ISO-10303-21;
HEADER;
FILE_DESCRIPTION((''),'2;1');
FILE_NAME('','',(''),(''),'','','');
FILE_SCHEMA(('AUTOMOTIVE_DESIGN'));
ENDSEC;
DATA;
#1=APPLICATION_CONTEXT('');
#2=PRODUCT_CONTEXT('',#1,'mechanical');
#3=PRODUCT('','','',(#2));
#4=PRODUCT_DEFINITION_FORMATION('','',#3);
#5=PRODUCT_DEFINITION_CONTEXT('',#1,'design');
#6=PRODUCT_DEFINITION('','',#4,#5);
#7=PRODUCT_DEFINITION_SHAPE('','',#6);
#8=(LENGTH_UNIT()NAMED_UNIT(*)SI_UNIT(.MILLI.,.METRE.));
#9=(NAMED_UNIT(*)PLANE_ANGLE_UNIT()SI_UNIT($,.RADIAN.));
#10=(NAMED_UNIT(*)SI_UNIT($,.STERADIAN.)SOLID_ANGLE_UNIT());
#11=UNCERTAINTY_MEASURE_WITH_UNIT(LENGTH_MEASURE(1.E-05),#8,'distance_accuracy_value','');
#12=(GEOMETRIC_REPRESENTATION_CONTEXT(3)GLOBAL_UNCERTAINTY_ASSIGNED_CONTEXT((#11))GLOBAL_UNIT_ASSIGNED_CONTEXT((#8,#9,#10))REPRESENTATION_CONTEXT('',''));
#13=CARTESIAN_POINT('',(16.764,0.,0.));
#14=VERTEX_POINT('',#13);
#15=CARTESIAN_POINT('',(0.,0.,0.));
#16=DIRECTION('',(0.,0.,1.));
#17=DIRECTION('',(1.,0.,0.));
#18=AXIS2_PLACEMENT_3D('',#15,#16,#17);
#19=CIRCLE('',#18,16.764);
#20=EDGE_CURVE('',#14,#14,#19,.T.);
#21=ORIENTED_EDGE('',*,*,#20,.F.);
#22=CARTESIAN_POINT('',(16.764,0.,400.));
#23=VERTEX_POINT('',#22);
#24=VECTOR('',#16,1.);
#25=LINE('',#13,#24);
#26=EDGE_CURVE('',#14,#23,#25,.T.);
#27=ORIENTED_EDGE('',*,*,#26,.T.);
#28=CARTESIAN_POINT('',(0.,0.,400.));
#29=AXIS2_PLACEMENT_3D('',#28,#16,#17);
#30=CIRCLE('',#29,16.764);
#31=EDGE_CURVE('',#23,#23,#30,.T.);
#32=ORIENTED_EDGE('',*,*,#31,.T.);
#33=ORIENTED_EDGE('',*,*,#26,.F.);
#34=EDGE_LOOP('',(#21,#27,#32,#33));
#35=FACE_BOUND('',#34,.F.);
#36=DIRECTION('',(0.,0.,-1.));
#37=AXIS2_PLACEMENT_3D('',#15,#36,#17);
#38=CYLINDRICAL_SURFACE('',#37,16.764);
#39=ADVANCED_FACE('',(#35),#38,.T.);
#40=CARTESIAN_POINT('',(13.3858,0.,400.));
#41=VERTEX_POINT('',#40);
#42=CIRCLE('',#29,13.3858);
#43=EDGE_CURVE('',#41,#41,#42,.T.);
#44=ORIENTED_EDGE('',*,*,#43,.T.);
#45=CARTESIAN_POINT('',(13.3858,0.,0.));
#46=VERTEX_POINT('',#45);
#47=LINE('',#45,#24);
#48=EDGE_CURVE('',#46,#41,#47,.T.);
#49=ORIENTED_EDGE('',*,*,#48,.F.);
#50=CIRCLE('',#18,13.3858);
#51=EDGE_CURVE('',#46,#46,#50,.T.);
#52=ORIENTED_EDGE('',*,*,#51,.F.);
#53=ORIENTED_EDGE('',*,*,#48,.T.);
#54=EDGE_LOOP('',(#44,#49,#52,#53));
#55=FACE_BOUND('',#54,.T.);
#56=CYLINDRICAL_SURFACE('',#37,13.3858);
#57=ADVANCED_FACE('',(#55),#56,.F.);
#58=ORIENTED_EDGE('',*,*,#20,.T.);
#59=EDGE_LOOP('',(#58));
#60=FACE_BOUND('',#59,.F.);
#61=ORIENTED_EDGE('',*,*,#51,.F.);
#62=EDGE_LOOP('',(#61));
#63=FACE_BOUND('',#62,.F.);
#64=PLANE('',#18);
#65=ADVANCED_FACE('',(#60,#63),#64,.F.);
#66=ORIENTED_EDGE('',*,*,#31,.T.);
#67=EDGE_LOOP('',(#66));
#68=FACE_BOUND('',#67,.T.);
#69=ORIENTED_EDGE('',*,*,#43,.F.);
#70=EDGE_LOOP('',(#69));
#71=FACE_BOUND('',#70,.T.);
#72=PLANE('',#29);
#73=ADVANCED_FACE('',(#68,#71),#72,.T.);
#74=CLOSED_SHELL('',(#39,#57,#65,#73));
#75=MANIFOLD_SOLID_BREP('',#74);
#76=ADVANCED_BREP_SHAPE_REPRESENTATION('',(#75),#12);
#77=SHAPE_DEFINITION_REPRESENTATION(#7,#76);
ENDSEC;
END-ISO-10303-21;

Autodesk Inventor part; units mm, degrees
ref_plane "YZ Plane" through (0, 0, 0) normal (1, 0, 0) x (0, 1, 0)
ref_plane "Start plane" through (0, 0, 0) normal (0, 0, 1) x (1, 0, 0)
ref_plane "End plane" through (0, 0, 400) normal (0, 0, 1) x (1, 0, 0)
sketch "Sketch" plane through (0, 0, 0) normal (0, 0, 1) x (1, 0, 0)
  circle A0 centre (0, 0) radius 13.3858
  circle A1 centre (0, 0) radius 16.764
  dimension "d0" = 33.528
  dimension "d1" = 3.3782
extrude "Body" add sketch "Sketch" along normal up to surface (400 mm away) from surface at 0
sketch "Sketch3" plane through (0, 0, 0) normal (0, 0, 1) x (1, 0, 0)
  line L0 (0, 0) -> (10, 0)
ref_plane "Work Plane3" through (0, 0, 0) normal (0, -1, 0) x (1, 0, 0)
sketch "Sketch4" plane through (0, 0, 0) normal (0, -1, 0) x (1, 0, 0)
  line L0 (-2, 0) -> (12, 0) projected
  line L1 (-2, 400) -> (12, 400) projected
  dimension "d7" = 400
equation "\"d0\" = G_H"
equation "\"d1\" = G_T"
equation "\"d2\" = G_L"
equation "\"G_H\" = 33.528"
equation "\"G_T\" = 3.3782"
equation "\"G_L\" = d7"
equation "\"G_OFFSET_START\" = 0"
equation "\"G_OFFSET_END\" = 0"
equation "\"d5\" = G_OFFSET_END + B_L"
equation "\"B_L\" = 400"
properties part number "ANSI - 1 x 0.133 - 15.748" material "Steel, Mild"
